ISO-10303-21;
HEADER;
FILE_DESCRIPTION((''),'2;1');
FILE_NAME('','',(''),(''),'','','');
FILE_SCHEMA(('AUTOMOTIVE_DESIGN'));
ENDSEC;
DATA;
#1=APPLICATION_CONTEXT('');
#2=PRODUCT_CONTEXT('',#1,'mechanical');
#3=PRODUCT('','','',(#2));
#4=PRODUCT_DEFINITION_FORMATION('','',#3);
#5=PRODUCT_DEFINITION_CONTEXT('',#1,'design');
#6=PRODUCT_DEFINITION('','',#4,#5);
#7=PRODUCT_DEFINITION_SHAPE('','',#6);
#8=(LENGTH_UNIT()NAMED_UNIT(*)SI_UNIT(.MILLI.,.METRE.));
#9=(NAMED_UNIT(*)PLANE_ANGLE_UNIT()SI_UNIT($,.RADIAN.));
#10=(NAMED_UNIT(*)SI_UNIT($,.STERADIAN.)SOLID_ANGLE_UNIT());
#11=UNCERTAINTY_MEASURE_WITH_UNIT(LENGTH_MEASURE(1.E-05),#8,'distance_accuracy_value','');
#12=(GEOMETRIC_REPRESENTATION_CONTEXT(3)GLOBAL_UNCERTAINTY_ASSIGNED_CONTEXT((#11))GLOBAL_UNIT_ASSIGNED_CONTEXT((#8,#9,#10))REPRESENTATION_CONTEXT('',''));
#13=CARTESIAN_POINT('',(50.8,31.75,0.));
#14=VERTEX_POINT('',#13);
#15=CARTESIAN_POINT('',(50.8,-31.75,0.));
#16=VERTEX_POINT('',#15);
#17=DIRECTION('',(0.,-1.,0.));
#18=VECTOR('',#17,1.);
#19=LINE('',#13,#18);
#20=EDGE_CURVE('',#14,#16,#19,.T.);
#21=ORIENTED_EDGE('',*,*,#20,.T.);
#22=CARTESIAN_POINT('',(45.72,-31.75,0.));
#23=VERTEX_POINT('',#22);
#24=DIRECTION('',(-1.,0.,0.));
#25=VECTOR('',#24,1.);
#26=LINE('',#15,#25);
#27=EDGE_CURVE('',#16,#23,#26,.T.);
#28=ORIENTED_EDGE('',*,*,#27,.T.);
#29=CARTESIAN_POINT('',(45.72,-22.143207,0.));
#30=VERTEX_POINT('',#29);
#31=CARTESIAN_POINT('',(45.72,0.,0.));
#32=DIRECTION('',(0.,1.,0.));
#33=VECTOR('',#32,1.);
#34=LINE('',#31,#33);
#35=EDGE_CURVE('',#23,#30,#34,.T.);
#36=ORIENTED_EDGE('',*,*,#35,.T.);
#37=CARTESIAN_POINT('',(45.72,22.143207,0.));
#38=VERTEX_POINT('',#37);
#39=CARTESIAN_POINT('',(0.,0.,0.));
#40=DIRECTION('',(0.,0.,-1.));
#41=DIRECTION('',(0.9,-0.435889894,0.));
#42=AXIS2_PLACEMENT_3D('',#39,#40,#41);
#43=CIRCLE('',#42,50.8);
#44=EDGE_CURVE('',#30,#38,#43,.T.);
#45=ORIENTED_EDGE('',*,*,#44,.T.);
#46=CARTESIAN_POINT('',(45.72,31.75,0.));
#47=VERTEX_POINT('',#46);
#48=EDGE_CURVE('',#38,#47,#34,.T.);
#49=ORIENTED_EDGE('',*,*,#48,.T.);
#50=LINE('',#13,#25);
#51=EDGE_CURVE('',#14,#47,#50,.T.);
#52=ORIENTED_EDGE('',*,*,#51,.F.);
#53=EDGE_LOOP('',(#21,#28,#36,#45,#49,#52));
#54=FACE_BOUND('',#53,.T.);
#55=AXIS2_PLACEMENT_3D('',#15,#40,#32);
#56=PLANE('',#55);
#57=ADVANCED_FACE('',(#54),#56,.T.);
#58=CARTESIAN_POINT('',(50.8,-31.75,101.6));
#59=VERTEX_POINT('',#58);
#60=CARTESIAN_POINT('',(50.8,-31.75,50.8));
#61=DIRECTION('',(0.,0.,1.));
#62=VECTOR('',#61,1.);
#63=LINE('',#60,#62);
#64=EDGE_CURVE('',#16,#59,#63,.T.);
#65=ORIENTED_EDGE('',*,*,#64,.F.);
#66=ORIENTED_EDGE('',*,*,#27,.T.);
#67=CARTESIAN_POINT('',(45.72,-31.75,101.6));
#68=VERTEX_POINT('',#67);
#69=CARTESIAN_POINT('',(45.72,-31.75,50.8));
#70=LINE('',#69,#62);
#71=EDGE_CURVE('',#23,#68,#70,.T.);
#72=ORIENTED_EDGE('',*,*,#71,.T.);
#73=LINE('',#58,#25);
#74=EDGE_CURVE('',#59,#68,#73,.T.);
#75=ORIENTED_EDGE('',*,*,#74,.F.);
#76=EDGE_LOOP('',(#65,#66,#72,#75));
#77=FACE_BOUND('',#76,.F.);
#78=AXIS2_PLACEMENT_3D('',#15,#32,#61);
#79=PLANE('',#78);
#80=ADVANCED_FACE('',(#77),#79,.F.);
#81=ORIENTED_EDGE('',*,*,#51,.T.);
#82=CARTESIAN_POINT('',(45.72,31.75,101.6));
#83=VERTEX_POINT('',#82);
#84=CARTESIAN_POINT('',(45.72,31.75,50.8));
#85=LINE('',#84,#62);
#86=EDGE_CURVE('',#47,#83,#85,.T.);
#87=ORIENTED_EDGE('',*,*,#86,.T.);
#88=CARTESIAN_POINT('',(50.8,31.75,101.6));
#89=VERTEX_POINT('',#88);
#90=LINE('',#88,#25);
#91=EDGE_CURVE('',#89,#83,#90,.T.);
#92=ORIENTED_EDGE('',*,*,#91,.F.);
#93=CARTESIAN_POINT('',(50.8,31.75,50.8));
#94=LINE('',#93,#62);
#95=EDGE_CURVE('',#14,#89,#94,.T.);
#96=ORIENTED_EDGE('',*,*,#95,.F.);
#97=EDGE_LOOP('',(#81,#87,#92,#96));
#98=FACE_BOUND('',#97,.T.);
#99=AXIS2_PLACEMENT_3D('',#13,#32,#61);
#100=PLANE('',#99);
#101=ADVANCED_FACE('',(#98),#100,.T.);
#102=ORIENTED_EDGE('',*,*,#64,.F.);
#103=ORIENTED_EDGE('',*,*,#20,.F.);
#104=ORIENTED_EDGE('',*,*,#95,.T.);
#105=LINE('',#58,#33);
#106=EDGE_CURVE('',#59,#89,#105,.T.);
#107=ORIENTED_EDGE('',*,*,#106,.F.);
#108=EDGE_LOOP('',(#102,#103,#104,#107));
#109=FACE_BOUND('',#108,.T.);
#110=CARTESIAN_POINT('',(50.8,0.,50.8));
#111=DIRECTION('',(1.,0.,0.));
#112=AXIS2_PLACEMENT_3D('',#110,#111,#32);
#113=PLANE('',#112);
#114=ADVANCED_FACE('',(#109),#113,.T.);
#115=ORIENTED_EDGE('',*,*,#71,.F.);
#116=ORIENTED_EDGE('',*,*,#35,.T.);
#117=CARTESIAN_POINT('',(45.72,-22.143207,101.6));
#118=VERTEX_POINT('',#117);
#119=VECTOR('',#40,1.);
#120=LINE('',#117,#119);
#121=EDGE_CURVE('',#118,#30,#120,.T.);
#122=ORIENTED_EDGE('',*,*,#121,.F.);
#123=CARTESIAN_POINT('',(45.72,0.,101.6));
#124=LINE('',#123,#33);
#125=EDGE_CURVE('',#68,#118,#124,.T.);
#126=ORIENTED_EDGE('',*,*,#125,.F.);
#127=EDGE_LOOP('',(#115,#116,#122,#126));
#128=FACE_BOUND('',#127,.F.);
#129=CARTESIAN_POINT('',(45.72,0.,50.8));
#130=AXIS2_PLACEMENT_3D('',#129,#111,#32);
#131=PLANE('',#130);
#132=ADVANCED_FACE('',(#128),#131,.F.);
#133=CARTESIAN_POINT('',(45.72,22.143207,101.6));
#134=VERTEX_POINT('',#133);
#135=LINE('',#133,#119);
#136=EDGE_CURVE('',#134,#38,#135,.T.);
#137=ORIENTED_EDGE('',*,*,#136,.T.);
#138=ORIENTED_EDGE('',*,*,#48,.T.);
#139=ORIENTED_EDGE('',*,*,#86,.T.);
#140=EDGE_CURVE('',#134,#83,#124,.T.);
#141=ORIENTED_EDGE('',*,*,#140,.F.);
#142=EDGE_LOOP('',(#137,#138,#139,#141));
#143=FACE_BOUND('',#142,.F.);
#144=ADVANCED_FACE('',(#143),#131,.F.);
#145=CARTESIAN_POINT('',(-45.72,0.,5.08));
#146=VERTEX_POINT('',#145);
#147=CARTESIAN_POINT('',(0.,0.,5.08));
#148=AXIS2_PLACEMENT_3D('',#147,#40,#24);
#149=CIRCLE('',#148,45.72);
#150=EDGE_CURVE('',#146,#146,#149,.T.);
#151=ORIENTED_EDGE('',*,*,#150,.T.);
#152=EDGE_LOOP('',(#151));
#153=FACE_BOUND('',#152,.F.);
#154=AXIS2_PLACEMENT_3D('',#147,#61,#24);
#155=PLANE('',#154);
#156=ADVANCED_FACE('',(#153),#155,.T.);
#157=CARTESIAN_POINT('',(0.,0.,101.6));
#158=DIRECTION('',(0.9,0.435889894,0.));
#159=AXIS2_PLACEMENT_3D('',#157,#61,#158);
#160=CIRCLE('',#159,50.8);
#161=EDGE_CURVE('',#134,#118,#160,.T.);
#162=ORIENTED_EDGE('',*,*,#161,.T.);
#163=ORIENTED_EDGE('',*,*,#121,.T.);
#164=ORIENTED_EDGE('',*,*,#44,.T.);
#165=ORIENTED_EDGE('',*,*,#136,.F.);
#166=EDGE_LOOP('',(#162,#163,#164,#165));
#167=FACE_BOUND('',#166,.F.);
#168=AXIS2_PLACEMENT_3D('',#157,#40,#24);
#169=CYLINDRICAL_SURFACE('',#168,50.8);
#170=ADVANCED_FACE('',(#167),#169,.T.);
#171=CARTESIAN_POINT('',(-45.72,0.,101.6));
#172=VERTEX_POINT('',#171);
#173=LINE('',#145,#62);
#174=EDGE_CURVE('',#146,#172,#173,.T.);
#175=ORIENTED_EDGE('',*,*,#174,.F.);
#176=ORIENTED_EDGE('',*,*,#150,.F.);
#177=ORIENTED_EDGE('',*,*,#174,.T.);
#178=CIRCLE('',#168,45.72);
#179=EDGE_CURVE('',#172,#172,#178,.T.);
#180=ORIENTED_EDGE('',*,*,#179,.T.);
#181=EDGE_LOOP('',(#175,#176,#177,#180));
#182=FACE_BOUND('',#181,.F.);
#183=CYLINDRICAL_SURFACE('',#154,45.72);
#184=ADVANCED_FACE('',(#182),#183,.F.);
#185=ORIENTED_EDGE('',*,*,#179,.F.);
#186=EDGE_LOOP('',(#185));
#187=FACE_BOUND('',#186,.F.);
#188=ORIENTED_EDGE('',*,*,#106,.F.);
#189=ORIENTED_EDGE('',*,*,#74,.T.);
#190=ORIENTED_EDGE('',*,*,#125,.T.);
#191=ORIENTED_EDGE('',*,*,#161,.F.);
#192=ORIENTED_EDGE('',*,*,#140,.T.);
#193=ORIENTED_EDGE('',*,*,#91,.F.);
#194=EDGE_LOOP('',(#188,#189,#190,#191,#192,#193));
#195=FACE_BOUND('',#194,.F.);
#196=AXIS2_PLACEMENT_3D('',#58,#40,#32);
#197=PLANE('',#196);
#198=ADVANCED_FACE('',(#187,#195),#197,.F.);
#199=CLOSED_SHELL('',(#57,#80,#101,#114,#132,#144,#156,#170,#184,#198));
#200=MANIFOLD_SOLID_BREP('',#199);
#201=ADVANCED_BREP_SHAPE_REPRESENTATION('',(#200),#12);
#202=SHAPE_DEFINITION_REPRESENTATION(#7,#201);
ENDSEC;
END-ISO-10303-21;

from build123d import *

# Parameters (mm, degrees)
F4_W     = 63.5
F4_H     = 101.6
F5_DEPTH = 5.08


with BuildPart() as f2:
    # F0 (on Front) → F2 (revolve)
    with BuildSketch(Plane.XZ):
        Polygon((-45.72, 101.6), (-50.8, 101.6), (-50.8, 0), (-45.72, 0), (0, 0), (0, 5.08), (-45.72, 5.08), align=None)
    revolve(axis=Axis((0, 0, 36.652558), (0, 0, 1)))

    # F4 (on offset) → F5 (join)
    with BuildSketch(Plane.YZ.offset(50.8)):
        with Locations((0, 50.8)):
            Rectangle(F4_W, F4_H)
    extrude(amount=-F5_DEPTH)


solid = f2.part
